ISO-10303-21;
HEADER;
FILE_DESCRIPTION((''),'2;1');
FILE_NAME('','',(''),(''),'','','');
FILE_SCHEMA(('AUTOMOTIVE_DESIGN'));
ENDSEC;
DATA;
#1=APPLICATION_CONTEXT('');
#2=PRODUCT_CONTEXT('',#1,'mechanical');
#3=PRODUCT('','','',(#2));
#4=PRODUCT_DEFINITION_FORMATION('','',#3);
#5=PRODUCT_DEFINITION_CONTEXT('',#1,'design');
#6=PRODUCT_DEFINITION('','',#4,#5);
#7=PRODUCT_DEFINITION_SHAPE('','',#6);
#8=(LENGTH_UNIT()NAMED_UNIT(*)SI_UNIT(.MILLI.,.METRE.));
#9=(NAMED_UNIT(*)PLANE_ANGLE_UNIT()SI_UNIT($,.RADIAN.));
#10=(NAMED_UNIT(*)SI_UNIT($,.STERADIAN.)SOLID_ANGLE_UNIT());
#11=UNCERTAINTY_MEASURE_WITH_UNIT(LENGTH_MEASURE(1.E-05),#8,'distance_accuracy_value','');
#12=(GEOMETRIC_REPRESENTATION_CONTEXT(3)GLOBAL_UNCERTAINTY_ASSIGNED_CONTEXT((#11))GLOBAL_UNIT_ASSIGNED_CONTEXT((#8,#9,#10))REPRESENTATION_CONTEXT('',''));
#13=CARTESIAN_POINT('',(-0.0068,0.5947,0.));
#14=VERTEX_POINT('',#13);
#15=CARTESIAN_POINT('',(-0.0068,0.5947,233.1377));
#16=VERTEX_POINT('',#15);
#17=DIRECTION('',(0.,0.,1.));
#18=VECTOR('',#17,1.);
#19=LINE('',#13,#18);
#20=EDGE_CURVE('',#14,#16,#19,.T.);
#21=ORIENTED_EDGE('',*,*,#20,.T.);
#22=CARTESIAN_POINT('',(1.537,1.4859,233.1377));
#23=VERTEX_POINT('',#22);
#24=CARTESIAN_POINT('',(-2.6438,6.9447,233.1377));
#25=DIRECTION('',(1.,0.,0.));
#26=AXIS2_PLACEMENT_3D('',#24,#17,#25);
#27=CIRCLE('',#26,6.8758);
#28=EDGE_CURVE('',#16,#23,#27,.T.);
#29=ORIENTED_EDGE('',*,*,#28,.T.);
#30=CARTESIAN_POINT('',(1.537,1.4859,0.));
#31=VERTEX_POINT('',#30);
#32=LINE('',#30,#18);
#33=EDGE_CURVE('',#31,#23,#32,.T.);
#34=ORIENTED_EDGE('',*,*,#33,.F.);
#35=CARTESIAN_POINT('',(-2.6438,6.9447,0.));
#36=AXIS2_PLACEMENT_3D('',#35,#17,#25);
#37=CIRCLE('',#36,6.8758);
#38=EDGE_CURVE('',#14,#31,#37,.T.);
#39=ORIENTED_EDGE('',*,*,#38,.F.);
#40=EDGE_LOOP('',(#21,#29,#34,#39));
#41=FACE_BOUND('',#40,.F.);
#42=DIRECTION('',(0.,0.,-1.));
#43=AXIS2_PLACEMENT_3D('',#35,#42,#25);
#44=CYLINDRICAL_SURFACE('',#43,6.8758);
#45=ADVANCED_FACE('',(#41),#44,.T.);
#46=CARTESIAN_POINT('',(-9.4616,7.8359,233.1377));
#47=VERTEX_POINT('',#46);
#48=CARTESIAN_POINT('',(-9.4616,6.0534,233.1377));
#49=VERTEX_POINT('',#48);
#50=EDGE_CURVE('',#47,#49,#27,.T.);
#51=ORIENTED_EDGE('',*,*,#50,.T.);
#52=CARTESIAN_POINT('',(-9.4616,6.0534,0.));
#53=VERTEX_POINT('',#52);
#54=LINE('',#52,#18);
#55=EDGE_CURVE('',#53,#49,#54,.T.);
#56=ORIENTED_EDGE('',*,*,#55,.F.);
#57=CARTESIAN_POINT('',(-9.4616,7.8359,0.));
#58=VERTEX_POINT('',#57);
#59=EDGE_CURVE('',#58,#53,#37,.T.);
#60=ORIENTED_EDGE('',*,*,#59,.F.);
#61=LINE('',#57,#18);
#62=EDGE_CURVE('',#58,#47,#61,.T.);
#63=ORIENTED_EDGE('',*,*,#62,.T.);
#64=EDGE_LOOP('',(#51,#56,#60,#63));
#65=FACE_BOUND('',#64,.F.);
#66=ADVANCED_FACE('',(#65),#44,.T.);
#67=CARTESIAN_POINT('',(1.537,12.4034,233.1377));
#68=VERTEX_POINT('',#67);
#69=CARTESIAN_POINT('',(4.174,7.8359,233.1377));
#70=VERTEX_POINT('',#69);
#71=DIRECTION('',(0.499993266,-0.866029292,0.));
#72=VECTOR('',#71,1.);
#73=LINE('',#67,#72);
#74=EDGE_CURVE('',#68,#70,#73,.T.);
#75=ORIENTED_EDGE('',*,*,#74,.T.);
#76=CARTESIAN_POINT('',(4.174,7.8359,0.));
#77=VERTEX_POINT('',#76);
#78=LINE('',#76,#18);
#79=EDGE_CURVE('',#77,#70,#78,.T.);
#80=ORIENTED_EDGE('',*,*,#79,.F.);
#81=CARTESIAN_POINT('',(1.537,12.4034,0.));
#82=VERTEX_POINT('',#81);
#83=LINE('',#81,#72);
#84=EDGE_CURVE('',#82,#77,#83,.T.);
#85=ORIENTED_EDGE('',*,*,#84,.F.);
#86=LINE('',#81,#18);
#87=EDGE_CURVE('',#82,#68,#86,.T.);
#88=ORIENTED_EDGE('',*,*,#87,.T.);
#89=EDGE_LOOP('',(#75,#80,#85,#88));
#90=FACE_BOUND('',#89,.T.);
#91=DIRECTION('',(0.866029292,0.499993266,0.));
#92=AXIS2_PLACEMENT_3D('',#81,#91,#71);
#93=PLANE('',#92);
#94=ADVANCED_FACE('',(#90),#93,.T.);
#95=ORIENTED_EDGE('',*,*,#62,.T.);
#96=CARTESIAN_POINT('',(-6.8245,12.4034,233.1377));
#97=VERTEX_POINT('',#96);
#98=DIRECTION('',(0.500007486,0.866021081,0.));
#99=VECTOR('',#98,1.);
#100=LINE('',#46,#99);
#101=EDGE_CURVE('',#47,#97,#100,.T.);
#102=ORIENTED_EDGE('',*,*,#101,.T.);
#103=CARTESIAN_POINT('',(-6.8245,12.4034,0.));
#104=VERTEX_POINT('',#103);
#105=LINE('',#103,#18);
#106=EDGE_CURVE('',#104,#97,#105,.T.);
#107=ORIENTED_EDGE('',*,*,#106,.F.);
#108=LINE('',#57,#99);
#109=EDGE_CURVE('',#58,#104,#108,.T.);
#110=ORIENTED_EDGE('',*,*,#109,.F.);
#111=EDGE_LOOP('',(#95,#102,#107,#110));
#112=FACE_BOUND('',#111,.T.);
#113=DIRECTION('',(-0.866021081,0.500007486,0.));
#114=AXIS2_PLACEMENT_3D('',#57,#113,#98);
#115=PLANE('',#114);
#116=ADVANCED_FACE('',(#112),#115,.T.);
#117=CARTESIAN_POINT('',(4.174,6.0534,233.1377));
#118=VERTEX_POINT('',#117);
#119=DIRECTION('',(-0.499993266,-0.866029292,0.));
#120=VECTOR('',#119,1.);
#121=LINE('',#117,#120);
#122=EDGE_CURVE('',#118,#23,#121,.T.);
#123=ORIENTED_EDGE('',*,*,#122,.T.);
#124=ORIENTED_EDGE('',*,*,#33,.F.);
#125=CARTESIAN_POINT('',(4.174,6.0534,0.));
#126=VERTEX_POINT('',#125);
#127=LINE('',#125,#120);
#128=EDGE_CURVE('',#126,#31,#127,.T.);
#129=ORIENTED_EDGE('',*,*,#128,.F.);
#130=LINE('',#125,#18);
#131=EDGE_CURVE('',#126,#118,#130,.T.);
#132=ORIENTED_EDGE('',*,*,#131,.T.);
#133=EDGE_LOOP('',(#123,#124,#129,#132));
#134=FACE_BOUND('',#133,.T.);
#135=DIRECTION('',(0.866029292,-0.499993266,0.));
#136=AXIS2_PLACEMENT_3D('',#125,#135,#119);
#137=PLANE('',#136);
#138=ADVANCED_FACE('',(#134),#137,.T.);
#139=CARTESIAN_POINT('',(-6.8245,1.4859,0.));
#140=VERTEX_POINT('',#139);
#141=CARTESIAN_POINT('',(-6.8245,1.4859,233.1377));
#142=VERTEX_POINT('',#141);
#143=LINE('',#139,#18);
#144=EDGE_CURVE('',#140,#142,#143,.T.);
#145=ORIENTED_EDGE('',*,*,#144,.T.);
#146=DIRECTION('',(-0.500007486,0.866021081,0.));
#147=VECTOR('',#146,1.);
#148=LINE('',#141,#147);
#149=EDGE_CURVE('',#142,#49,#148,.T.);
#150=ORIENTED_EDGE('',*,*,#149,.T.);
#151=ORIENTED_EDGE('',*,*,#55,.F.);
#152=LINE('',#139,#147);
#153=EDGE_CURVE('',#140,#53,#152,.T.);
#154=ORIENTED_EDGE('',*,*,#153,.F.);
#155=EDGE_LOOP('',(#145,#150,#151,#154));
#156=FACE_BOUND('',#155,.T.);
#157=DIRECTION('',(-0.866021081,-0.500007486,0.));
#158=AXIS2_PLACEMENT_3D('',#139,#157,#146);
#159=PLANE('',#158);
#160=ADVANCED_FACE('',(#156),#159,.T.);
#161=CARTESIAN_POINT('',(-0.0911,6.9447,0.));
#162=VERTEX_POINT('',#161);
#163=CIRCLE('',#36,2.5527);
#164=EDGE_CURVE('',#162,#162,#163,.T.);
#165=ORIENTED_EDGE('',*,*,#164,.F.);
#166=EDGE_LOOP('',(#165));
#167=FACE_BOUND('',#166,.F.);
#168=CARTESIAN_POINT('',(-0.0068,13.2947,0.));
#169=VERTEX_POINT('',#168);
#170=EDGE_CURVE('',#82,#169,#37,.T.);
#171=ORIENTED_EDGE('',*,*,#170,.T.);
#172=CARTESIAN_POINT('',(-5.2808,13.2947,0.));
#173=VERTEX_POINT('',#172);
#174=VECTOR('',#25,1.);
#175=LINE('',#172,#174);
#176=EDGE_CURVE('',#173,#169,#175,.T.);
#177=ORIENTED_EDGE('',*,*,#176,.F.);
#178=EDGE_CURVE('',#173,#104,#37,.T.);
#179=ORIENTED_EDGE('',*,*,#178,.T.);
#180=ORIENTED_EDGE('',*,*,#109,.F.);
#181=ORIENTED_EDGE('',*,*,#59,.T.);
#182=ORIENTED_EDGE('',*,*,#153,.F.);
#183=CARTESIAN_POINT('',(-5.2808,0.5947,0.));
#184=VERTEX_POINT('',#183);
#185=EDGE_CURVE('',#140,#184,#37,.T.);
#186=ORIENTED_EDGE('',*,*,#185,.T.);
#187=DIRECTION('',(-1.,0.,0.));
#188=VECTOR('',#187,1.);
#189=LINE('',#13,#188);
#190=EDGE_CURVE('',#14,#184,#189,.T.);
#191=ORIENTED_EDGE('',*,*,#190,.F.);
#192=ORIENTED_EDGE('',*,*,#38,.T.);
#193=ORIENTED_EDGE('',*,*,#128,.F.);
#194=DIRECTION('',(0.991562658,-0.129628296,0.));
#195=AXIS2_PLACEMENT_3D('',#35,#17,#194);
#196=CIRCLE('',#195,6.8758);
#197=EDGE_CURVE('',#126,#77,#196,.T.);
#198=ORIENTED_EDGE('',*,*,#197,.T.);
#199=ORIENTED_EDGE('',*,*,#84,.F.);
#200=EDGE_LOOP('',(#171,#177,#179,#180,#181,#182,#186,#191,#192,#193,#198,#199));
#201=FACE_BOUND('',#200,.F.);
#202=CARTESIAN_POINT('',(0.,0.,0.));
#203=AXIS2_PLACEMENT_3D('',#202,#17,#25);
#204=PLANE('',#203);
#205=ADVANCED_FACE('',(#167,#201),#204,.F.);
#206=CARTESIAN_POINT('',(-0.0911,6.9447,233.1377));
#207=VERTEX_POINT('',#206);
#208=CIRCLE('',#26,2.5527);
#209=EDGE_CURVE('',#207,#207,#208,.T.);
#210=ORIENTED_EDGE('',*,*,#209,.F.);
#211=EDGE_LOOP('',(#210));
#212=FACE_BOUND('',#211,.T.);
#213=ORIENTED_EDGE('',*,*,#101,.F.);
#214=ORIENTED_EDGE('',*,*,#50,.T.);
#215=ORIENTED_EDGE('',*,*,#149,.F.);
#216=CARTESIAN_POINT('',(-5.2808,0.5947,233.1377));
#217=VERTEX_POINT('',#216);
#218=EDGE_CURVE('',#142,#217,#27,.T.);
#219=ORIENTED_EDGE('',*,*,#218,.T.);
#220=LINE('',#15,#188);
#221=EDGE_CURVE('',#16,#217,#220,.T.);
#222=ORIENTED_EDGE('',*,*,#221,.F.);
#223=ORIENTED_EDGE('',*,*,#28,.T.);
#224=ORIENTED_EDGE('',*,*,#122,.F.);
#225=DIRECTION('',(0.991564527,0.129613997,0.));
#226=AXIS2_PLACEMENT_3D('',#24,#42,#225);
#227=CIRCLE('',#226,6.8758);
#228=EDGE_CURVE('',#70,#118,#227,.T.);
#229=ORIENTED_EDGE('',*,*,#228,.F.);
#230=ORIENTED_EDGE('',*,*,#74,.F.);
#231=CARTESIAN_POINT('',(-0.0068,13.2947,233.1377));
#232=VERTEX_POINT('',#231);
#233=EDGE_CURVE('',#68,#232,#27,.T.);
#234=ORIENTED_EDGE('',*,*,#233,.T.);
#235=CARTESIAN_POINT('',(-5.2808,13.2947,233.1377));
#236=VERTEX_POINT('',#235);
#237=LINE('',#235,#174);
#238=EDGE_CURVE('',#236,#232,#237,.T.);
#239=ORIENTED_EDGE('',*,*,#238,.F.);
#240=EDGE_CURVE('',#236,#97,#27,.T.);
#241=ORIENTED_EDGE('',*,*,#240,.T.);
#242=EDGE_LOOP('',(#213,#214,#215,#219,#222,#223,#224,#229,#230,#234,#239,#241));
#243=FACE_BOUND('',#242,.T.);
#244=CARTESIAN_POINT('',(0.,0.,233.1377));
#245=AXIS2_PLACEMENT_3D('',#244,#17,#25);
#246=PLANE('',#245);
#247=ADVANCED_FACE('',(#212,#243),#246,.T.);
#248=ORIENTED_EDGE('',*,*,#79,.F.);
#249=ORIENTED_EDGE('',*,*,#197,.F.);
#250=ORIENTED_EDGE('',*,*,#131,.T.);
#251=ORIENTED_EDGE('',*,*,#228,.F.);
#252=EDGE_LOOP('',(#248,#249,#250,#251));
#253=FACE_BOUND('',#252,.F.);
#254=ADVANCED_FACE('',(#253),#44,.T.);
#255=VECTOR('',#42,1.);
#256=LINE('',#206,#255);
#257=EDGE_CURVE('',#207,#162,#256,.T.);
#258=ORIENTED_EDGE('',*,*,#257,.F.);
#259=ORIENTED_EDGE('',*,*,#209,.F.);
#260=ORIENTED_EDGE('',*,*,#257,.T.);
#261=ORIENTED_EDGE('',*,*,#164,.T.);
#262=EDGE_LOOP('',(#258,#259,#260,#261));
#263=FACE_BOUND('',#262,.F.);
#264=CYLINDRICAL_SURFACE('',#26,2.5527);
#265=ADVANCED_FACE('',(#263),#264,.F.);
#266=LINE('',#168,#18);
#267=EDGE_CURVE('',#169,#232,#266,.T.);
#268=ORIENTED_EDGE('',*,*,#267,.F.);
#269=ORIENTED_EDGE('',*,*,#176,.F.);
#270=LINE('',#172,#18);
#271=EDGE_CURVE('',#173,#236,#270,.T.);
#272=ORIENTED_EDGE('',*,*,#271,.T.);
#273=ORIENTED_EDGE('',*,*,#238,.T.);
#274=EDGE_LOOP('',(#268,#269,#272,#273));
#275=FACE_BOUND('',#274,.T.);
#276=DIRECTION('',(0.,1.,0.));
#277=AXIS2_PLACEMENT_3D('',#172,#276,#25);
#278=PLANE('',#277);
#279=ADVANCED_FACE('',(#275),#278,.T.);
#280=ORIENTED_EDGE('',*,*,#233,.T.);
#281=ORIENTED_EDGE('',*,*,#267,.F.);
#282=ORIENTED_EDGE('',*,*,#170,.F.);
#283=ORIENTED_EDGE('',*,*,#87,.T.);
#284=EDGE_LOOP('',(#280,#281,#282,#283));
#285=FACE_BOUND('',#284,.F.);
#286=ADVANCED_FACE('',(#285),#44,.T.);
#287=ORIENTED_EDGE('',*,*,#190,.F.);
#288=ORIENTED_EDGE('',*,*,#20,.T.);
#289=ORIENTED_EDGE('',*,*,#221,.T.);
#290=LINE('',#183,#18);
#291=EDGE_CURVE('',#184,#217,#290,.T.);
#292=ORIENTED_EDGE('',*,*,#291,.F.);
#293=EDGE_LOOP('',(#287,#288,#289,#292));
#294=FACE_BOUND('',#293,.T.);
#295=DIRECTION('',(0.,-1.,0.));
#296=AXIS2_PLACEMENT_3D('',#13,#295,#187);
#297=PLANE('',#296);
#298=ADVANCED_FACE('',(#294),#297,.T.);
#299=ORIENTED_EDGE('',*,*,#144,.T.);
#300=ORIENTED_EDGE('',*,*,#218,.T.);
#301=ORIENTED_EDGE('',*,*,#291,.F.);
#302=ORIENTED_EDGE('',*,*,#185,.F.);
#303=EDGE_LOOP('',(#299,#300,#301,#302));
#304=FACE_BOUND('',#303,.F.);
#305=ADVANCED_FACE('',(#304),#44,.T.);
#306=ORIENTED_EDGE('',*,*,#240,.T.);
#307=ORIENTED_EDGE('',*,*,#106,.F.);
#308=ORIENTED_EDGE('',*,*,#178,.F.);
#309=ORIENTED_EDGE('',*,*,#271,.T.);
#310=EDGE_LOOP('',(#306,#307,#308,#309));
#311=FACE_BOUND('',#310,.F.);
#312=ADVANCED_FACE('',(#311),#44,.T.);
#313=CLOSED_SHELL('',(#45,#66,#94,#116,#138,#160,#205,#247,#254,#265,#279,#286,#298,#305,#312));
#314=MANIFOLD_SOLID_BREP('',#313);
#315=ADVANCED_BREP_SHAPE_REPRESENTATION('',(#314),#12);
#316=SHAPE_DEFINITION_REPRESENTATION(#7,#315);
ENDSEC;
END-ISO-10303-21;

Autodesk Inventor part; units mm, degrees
ref_plane "YZ Plane" through (0, 0, 0) normal (1, 0, 0) x (0, 1, 0)
ref_plane "XZ Plane" through (0, 0, 0) normal (0, 1, 0) x (-1, 0, 0)
ref_plane "XY Plane" through (0, 0, 0) normal (0, 0, 1) x (1, 0, 0)
sketch "Sketch1" plane through (0, 0, 0) normal (0, 0, 1) x (1, 0, 0)
  circle A0 centre (-2.6438, 6.9447) radius 6.8758
  line L0 (-9.4616, 7.8359) -> (-6.8245, 12.4034)
  line L1 (-6.8245, 1.4859) -> (-9.4616, 6.0534)
  line L2 (-0.0068, 0.5947) -> (-5.2808, 0.5947)
  line L3 (4.174, 6.0534) -> (1.537, 1.4859)
  line L4 (1.537, 12.4034) -> (4.174, 7.8359)
  line L5 (-5.2808, 13.2947) -> (-0.0068, 13.2947)
  point P0 (0, 0)
  point P1 (1.537, 1.4859)
  dimension "d0" = 13.7516
  dimension "d4" = 360
extrude "Extrusion1" add sketch "Sketch1" along normal blind 233.1377 contours A0 L3 L2 L1 L0 L5 L4
sketch "Sketch2" plane through (0, 0, 233.1377) normal (0, 0, 1) x (1, 0, 0)
  circle A0 centre (-2.6438, 6.9447) radius 2.5527
  line L0 (-5.2808, 0.5947) -> (-0.0068, 0.5947) projected
  line L1 (-2.6438, 6.9447) -> (-5.2808, 0.5947) construction
  line L2 (-2.6438, 6.9447) -> (-0.0068, 0.5947) construction
  point P0 (0, 0)
  dimension "d8" = 5.1054
  dimension "d9" = 6.35
extrude "Extrusion2" cut sketch "Sketch2" against normal blind 233.1377
equation "\"d6\" = d5"
equation "\"d10\" = d5"
equation "\"d5\" = 233.1377"
properties part number "TurretShaft" material "Aluminum 6061"
